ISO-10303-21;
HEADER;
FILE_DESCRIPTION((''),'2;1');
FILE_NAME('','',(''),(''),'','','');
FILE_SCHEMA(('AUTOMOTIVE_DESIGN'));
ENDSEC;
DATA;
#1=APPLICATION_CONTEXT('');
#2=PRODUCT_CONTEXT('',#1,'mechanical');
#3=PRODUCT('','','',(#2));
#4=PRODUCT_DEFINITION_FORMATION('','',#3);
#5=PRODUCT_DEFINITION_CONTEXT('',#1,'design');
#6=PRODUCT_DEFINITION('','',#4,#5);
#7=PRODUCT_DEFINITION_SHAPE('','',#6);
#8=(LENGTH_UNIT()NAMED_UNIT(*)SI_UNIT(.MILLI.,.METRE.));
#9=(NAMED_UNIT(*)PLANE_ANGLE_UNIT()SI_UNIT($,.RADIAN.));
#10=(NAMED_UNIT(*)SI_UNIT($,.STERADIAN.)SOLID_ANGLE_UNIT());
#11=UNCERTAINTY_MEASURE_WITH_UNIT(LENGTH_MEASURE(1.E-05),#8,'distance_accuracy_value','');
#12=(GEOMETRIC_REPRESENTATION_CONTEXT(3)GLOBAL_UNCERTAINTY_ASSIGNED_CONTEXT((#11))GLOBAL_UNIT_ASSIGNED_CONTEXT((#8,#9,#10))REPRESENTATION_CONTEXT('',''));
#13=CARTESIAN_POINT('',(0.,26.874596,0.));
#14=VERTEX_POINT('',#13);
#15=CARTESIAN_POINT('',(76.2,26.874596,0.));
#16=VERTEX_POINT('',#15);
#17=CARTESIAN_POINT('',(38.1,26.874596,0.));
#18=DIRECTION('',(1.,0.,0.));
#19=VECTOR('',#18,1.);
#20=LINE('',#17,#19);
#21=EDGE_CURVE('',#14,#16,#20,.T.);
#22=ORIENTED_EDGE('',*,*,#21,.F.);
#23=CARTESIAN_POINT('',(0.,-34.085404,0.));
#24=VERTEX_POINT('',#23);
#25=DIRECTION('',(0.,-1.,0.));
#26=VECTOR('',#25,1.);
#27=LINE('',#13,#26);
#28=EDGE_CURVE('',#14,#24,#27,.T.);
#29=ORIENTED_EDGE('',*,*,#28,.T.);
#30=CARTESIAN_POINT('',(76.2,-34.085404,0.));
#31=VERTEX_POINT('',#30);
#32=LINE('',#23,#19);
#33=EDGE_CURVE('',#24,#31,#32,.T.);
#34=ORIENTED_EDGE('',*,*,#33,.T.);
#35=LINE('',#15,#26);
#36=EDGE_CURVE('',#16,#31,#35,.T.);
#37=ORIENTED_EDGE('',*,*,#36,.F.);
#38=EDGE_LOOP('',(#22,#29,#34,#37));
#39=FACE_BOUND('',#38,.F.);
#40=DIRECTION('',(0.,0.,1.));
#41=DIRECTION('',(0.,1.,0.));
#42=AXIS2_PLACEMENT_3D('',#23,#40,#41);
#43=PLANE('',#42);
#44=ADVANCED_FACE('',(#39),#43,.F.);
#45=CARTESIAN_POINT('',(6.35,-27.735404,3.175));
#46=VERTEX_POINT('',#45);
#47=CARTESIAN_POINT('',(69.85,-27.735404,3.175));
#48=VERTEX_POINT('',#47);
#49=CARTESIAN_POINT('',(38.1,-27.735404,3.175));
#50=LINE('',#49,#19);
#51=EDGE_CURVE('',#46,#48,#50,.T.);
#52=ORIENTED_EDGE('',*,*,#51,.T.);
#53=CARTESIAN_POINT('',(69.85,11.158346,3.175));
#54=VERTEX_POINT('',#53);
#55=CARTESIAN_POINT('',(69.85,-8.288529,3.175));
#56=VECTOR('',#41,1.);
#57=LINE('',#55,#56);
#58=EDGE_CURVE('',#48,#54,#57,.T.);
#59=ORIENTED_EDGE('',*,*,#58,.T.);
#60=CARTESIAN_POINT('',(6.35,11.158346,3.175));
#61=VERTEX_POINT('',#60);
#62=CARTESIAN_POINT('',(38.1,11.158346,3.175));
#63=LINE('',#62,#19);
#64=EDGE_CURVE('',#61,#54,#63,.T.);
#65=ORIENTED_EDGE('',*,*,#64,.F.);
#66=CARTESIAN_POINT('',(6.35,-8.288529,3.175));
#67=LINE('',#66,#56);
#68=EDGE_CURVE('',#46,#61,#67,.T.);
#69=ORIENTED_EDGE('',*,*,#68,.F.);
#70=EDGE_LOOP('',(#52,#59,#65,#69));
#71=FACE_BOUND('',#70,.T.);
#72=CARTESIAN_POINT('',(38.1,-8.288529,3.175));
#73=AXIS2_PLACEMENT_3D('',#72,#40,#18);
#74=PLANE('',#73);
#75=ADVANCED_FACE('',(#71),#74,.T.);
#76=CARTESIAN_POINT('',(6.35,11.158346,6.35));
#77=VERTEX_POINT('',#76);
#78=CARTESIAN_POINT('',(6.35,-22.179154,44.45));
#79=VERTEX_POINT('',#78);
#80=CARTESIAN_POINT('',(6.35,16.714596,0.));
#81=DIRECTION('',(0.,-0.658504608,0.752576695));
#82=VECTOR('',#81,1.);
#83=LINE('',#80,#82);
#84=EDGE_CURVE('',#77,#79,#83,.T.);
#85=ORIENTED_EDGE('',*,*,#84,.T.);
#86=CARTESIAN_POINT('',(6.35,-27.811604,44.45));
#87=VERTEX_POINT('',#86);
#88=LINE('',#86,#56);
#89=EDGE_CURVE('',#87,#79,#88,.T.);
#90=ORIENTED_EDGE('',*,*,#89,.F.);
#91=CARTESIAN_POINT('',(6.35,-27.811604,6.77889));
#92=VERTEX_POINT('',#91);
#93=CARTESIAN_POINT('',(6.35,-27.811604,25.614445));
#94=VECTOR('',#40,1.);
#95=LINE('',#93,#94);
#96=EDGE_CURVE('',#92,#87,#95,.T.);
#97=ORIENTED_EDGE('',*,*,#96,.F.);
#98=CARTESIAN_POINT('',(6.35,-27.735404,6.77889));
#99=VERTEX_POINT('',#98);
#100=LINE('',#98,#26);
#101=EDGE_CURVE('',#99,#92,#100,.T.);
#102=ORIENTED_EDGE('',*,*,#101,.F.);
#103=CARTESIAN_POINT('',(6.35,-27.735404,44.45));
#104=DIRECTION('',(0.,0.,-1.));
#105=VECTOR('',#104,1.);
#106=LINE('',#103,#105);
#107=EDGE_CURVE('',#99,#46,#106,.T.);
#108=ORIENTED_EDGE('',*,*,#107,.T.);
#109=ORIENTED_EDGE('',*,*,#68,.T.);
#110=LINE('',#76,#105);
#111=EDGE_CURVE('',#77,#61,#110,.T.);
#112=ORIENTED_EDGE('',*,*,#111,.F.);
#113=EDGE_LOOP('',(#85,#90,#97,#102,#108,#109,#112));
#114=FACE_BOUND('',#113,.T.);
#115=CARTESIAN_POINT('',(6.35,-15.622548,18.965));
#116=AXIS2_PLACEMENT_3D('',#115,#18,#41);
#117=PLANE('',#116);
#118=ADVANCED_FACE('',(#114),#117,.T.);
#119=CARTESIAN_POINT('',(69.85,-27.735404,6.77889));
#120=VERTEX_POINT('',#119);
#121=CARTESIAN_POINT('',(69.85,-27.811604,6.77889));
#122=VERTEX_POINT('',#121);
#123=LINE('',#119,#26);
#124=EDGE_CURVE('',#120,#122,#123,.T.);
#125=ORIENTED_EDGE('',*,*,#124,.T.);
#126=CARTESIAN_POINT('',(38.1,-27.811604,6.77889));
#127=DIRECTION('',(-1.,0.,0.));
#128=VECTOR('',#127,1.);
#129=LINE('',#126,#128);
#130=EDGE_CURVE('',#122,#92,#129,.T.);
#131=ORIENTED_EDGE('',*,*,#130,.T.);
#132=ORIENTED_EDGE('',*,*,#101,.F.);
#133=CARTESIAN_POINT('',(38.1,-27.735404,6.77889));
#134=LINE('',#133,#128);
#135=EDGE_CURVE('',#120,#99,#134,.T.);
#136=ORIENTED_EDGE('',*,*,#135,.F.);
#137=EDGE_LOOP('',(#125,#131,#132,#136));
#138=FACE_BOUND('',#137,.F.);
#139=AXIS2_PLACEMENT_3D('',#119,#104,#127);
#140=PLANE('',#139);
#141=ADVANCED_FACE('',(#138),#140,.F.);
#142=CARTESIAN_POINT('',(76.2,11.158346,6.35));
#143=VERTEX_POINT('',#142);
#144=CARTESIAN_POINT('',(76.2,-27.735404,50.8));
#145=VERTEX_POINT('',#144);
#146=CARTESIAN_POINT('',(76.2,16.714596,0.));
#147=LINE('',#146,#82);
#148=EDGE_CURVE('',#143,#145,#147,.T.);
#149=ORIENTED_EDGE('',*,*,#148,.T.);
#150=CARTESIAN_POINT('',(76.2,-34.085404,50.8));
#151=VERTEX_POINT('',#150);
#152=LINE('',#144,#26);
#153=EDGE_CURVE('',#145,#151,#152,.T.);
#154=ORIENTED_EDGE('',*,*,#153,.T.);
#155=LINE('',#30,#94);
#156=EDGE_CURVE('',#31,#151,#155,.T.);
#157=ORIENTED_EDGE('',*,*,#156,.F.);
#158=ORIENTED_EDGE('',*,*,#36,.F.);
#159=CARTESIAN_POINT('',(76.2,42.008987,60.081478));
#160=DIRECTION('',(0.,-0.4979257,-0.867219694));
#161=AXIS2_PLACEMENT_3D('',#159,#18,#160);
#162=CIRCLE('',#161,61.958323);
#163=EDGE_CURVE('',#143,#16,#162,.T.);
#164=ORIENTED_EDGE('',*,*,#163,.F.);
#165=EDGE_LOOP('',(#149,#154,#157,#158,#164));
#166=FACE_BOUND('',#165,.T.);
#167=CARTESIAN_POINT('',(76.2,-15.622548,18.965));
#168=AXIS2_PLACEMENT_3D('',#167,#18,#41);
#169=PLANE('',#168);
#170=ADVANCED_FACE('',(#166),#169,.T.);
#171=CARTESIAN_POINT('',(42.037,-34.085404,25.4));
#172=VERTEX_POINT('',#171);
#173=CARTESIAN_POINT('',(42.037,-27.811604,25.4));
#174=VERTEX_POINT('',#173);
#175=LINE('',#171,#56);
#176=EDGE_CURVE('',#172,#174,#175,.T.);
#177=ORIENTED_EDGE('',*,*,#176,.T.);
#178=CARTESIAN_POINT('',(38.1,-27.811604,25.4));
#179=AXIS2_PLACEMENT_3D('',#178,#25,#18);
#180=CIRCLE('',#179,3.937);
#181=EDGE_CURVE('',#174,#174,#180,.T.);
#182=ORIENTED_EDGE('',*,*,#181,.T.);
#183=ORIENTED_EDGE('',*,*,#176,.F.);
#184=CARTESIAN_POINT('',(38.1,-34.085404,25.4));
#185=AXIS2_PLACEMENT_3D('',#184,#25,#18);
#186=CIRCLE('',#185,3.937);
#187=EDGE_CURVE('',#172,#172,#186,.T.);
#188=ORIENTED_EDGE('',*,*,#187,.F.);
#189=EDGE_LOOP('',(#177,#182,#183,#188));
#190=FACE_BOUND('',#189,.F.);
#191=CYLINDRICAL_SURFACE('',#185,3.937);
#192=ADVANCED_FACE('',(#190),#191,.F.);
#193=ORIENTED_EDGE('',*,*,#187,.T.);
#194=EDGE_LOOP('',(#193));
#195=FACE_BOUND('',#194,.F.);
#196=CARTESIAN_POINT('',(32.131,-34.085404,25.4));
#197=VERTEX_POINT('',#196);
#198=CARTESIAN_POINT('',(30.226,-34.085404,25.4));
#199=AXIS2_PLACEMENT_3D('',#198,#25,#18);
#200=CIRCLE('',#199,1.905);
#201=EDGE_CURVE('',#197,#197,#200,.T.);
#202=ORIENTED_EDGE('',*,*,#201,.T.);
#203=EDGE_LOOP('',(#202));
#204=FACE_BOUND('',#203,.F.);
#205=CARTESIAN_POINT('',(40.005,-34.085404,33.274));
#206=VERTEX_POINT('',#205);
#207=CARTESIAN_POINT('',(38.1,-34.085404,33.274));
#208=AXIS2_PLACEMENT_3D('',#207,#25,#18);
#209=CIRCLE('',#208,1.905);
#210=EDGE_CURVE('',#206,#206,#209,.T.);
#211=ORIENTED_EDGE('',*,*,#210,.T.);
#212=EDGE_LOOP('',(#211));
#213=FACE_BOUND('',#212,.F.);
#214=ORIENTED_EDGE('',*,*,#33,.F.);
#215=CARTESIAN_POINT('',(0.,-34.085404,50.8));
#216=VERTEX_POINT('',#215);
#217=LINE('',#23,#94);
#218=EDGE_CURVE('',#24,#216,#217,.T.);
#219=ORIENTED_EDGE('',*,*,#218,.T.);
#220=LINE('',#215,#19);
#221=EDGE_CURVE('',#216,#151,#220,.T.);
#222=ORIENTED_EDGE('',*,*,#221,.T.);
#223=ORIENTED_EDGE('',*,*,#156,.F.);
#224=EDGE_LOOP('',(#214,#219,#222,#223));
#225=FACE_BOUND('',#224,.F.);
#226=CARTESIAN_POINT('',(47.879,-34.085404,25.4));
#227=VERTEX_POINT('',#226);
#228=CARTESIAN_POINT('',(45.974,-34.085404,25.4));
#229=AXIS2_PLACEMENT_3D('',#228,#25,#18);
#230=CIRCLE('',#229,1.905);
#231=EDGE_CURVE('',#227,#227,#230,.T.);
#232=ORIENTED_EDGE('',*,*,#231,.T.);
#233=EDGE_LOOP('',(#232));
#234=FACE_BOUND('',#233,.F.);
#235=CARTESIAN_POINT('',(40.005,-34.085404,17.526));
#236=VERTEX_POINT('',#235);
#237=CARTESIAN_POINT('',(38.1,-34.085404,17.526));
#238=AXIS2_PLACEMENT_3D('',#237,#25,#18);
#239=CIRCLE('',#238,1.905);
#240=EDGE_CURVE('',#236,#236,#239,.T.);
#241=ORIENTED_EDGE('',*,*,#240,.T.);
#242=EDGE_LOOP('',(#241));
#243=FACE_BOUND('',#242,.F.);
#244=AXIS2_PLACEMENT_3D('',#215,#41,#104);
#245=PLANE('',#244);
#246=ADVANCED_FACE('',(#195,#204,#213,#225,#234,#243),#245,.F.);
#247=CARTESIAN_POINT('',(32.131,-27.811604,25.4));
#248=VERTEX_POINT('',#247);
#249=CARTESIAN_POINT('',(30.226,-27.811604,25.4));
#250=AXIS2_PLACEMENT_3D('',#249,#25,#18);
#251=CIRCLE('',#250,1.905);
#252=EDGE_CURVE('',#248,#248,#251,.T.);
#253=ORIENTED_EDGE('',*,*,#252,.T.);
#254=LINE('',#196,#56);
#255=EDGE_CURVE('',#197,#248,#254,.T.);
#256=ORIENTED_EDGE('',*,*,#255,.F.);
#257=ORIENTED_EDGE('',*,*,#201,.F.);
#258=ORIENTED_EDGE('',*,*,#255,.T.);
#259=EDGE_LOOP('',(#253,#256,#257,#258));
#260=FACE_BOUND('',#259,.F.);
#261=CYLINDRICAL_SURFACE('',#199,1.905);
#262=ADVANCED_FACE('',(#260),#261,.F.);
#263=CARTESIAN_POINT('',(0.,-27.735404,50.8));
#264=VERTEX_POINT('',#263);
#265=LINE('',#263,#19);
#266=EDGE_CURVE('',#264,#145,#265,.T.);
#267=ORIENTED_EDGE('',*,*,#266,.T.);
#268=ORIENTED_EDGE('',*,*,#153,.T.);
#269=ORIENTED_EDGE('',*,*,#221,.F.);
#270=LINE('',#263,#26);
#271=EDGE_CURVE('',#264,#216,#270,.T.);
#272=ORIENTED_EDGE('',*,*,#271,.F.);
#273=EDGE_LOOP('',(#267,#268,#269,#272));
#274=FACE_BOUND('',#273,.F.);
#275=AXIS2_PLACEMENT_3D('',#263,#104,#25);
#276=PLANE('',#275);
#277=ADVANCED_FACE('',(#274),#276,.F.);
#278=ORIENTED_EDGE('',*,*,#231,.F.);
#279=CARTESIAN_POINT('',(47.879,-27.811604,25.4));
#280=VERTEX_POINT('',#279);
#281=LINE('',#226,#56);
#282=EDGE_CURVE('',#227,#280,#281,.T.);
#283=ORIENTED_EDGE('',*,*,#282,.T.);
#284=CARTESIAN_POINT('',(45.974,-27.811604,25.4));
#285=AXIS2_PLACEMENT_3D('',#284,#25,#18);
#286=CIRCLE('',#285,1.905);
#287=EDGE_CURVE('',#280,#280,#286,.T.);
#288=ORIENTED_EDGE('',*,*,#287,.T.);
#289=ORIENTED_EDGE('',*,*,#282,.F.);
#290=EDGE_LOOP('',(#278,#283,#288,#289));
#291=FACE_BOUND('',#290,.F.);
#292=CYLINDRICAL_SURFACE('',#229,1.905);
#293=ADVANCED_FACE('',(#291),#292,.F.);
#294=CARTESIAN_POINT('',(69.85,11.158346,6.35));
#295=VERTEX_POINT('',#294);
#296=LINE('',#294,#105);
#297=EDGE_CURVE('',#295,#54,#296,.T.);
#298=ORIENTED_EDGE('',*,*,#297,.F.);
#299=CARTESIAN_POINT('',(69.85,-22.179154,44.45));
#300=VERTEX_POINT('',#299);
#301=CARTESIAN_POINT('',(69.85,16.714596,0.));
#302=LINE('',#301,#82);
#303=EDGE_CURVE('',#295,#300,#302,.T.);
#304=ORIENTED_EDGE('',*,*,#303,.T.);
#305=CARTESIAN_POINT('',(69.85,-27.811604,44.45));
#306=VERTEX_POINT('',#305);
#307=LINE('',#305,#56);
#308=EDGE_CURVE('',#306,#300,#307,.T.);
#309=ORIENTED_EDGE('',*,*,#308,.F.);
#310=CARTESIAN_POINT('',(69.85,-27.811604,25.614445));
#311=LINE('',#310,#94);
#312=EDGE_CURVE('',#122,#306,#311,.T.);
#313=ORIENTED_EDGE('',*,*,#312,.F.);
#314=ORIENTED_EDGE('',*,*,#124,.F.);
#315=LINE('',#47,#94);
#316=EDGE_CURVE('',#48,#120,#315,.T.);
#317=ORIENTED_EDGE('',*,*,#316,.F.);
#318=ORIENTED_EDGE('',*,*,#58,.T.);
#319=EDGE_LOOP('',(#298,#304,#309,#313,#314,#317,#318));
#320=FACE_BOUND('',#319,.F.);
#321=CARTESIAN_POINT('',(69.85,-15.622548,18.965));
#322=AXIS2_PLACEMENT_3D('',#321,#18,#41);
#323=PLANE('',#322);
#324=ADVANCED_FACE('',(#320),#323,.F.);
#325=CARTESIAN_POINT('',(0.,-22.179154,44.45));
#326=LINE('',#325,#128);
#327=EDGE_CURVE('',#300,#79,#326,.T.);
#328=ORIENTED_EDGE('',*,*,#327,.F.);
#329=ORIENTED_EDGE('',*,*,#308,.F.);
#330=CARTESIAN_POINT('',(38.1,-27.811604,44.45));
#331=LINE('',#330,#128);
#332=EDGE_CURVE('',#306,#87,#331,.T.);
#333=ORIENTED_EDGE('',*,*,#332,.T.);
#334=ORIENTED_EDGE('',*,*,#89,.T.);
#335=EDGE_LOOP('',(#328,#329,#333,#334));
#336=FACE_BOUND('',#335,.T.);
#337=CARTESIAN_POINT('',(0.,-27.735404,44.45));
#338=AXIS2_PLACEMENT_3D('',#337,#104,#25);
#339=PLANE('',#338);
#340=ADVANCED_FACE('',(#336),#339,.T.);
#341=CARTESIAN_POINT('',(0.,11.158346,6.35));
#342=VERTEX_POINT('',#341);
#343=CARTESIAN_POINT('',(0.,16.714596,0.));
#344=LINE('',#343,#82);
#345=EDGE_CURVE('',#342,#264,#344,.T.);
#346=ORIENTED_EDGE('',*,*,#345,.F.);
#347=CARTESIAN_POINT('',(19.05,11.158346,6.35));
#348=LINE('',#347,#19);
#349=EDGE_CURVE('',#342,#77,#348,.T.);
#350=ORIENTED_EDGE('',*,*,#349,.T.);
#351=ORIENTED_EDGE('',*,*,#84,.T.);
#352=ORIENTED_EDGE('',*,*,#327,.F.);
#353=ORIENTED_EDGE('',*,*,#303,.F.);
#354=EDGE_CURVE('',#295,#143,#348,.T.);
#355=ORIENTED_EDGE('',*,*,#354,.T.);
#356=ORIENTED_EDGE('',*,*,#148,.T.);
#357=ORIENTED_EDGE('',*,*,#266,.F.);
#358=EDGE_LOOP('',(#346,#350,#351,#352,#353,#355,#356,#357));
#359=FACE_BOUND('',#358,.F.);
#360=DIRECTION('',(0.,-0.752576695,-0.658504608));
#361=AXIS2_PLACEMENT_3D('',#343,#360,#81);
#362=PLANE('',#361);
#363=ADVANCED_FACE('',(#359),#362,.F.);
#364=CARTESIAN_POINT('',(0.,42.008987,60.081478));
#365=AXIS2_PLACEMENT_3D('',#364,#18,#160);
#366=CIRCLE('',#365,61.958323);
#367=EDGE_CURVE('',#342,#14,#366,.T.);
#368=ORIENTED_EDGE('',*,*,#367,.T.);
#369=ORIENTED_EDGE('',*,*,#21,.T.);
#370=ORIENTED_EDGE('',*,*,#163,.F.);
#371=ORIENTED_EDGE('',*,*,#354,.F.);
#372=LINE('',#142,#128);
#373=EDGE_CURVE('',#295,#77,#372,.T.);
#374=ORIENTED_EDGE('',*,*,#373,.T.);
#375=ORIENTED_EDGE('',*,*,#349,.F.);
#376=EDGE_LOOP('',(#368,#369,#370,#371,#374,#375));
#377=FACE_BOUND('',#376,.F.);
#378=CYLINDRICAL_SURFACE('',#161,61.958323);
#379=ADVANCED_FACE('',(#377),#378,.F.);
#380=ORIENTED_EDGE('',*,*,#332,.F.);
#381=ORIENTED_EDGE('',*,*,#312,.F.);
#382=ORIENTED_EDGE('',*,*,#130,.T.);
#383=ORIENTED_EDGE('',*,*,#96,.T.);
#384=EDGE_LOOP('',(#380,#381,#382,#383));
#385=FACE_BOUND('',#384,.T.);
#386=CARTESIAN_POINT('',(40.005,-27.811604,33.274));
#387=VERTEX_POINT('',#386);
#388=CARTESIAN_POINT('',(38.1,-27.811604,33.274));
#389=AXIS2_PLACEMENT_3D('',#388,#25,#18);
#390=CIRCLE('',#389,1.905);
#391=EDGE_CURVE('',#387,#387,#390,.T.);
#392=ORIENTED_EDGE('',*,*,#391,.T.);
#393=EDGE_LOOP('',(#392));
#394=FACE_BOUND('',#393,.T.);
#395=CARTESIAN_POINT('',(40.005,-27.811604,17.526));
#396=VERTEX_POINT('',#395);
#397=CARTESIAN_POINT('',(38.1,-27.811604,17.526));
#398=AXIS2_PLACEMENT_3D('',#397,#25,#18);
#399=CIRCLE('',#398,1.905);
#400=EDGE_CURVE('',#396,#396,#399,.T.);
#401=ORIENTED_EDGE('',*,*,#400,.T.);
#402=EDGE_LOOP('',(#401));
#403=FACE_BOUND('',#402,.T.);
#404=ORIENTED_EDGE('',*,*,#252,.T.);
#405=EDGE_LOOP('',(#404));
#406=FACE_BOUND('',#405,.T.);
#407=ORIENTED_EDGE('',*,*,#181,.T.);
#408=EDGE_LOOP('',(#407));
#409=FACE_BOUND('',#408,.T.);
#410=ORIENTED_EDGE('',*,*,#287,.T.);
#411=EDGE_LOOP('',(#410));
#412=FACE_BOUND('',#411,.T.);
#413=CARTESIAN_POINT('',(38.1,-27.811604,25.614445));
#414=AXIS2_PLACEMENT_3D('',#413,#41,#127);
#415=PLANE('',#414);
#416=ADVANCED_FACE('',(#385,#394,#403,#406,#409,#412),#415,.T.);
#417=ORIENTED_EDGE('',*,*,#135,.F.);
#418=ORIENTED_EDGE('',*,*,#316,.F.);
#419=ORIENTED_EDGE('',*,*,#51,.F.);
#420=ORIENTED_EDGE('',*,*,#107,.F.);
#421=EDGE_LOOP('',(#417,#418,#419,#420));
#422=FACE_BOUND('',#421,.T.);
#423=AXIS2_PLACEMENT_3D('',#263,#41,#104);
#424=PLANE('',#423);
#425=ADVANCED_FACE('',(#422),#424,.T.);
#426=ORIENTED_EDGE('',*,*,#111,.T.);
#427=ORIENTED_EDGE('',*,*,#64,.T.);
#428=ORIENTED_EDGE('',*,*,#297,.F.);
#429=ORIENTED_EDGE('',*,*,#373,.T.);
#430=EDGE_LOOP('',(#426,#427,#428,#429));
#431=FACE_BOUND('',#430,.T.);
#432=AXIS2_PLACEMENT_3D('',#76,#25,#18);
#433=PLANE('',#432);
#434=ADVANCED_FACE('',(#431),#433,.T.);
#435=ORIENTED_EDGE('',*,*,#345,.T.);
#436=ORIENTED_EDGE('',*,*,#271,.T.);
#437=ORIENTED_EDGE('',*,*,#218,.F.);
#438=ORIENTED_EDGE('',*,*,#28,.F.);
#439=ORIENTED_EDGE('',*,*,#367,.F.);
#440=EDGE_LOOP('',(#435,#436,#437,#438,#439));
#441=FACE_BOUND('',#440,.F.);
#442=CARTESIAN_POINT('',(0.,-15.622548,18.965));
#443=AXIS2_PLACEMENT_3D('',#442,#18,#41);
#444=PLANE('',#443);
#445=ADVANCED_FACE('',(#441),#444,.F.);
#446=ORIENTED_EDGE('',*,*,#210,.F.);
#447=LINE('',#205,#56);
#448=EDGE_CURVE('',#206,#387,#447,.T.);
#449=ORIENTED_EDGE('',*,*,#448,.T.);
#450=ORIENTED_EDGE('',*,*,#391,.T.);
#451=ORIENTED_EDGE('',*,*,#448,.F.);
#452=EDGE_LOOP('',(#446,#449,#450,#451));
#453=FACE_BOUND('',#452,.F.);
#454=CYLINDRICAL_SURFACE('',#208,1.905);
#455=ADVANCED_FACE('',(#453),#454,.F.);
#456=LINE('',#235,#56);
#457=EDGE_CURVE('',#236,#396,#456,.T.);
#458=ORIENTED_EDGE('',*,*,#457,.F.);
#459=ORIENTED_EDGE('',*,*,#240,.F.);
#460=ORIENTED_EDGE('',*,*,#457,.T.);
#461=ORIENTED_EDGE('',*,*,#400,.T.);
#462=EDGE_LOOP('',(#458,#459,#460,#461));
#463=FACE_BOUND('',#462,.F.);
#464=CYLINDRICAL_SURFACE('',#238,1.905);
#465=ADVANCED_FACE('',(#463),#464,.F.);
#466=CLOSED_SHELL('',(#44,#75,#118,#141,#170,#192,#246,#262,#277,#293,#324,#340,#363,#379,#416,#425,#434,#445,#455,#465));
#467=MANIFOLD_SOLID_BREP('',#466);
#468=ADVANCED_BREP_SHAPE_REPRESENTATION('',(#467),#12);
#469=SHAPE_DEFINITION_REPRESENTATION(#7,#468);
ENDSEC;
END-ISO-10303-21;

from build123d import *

# Parameters (mm, degrees)
F1_DEPTH  = 76.2
F2_T      = -6.35
F3_W      = 76.2
F3_H      = 50.8
F3_H_2    = 10.16
F4_DEPTH  = 6.35
F6_DEPTH  = 76.2
F7_R      = 3.937
F7_R_2    = 1.905
F8_DEPTH  = 25.4
F9_W      = 63.5
F9_H      = 38.89375
F10_DEPTH = 3.175
F11_W     = 63.5
F11_H     = 37.67111
F12_DEPTH = 0.0762


with BuildPart() as f1:
    # F0 (on Right) → F1 (new body)
    with BuildSketch(Plane.YZ):
        Polygon((-34.085404, 0), (0, 0), (16.714596, 0), (-27.735404, 50.8), (-34.085404, 50.8), align=None)
    extrude(amount=F1_DEPTH)

    # F2
    f2_openings = [f1.faces().sort_by_distance(p)[0] for p in [
        (38.1, -5.510404, 25.4),
    ]]
    offset(amount=F2_T, openings=f2_openings)

    # F3 (on face) → F4 (join)
    with BuildSketch(Plane(origin=(0, 0, 0), x_dir=(1, 0, 0), z_dir=(0, 0, -1))):
        with Locations((38.1, 8.685404)):
            Rectangle(F3_W, F3_H)
        with Locations((38.1, -21.794596)):
            Rectangle(F3_W, F3_H_2)
    extrude(amount=-F4_DEPTH)

    # F5 (on face) → F6 (cut)
    with BuildSketch(Plane.YZ.offset(76.2)):
        with BuildLine():
            Line((26.874596, 6.35), (11.158346, 6.35))
            ThreePointArc((11.158346, 6.35), (18.798291, 2.635004), (26.874596, 0))
            Line((26.874596, 0), (26.874596, 6.35))
        make_face()
    extrude(amount=-F6_DEPTH, mode=Mode.SUBTRACT)

    # F7 (on face) → F8 (cut)
    with BuildSketch(Plane.XZ.offset(34.085404)):
        with Locations((38.1, 25.4)):
            Circle(F7_R)
        with Locations((38.1, 33.274)):
            Circle(F7_R_2)
        with Locations((38.1, 17.526)):
            Circle(F7_R_2)
        with Locations((30.226, 25.4)):
            Circle(F7_R_2)
        with Locations((45.974, 25.4)):
            Circle(F7_R_2)
    extrude(amount=-F8_DEPTH, mode=Mode.SUBTRACT)

    # F9 (on face) → F10 (cut)
    with BuildSketch(Plane.XY.offset(6.35)):
        with Locations((38.1, -8.288529)):
            Rectangle(F9_W, F9_H)
    extrude(amount=-F10_DEPTH, mode=Mode.SUBTRACT)

    # F11 (on face) → F12 (cut)
    with BuildSketch(Plane(origin=(0, -27.735404, 0), x_dir=(-1, 0, 0), z_dir=(0, 1, 0))):
        with Locations((-38.1, 25.614445)):
            Rectangle(F11_W, F11_H)
    extrude(amount=-F12_DEPTH, mode=Mode.SUBTRACT)


solid = f1.part
